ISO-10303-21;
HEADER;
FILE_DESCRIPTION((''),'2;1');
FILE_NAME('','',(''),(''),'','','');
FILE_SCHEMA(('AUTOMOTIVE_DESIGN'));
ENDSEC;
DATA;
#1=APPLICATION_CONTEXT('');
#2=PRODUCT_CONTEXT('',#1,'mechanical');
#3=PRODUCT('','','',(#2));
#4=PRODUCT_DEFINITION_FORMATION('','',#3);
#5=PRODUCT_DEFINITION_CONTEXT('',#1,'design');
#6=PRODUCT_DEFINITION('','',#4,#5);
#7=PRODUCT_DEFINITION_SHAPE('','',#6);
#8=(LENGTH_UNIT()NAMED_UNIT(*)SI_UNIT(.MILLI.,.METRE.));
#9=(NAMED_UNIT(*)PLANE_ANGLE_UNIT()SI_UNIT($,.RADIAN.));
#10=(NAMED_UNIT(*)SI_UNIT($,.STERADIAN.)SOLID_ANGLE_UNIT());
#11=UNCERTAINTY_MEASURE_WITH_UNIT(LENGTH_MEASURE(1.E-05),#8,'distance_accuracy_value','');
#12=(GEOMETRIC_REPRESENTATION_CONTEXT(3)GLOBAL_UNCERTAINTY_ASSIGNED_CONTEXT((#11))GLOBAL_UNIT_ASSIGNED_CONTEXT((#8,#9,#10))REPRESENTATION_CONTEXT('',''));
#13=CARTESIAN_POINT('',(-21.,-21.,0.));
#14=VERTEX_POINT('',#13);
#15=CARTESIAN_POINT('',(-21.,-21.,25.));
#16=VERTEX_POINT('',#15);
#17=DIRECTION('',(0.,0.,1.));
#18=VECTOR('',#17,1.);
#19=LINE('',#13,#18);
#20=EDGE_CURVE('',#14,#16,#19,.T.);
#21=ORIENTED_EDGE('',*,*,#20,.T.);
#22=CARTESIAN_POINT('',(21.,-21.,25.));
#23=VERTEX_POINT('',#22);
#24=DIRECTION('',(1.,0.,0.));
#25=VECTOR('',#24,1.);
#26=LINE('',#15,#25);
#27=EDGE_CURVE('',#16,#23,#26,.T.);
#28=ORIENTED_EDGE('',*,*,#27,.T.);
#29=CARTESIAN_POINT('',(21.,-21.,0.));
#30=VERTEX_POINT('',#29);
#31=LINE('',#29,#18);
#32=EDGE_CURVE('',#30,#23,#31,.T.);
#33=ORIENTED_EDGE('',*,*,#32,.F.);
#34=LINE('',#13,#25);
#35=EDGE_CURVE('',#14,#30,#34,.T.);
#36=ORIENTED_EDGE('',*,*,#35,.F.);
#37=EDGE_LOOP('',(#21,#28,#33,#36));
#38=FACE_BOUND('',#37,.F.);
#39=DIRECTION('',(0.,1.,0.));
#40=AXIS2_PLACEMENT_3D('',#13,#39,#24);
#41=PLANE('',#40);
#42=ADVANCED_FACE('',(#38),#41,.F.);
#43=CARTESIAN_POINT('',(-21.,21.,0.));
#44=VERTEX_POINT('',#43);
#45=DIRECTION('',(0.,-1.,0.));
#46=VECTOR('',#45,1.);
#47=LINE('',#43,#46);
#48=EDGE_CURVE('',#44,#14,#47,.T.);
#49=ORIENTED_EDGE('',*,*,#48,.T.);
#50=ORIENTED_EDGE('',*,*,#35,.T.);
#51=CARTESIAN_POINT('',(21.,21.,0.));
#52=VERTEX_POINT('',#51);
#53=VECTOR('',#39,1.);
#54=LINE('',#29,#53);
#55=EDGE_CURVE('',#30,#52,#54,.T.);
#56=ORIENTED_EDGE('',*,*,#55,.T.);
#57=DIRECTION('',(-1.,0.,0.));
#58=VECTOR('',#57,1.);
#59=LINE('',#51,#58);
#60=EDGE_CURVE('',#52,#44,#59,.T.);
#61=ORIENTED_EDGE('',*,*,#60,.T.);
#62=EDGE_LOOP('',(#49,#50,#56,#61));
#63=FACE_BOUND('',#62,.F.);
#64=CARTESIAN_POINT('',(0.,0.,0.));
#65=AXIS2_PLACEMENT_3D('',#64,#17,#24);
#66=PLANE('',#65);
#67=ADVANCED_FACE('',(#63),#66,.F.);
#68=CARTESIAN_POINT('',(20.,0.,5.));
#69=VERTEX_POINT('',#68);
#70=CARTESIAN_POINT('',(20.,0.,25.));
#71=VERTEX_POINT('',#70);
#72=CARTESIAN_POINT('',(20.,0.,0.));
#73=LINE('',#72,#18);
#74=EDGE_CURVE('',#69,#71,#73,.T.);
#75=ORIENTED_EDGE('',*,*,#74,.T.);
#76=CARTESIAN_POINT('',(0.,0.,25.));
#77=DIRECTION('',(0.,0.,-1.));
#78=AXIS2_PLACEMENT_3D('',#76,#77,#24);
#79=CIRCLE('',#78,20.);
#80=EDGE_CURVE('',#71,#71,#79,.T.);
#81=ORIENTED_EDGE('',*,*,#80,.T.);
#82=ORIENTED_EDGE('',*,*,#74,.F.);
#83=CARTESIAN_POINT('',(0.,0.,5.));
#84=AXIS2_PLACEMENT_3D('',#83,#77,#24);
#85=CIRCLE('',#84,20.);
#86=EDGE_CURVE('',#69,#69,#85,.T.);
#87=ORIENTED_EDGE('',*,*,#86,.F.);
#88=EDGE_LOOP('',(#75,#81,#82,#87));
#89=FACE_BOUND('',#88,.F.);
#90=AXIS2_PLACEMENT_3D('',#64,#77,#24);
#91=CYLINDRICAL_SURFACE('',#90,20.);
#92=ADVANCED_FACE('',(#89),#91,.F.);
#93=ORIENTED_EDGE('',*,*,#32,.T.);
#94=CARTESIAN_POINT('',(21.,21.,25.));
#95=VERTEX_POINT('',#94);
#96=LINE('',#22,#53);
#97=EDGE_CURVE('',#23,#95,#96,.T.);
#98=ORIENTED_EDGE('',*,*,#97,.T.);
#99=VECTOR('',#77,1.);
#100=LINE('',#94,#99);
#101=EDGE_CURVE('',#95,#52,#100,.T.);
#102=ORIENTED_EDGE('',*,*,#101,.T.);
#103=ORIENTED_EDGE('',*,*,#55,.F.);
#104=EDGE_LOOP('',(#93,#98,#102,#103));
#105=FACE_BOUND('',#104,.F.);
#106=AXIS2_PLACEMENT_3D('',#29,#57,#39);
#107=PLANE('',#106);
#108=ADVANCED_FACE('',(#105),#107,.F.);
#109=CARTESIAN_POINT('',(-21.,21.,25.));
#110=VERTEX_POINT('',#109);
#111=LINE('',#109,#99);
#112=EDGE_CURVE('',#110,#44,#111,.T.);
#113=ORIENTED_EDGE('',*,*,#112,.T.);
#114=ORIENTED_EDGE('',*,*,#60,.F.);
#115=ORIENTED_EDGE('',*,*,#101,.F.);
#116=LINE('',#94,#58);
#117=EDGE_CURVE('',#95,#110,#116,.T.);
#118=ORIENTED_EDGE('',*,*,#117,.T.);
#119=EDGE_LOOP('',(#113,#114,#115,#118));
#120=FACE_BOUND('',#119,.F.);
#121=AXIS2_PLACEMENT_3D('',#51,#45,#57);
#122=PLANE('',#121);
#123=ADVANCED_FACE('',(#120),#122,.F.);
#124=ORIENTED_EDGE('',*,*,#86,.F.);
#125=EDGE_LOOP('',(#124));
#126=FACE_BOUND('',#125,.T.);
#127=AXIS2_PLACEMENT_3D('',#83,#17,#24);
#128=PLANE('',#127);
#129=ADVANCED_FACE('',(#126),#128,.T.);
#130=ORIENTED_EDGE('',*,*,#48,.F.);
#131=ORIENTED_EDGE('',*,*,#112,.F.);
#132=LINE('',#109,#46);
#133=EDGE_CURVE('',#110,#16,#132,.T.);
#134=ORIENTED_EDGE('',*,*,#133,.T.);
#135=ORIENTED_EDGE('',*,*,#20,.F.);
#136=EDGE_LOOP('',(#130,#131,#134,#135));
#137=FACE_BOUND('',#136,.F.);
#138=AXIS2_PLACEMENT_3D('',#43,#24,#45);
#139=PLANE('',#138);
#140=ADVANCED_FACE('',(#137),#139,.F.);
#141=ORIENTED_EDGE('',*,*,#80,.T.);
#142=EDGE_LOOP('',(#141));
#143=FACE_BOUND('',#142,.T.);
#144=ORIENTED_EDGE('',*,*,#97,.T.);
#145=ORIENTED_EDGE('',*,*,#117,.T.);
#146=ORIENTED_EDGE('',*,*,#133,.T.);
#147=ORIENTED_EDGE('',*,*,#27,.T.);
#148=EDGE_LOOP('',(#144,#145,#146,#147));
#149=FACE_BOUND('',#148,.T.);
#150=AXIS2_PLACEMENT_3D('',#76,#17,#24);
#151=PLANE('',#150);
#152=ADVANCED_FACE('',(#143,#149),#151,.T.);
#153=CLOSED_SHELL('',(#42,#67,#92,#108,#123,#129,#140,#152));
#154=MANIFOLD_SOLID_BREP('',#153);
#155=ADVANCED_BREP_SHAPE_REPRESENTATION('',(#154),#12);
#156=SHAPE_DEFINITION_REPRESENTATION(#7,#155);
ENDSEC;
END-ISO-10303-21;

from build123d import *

# Parameters (mm, degrees)
F1_DEPTH = 5
F2_DEPTH = 25


with BuildPart() as f1:
    # F0 (on Top) → F1 (new body)
    with BuildSketch(Plane.XY):
        Polygon((-21, 21), (-21, 0), (-21, -21), (21, -21), (21, 21), align=None)
        with BuildLine():
            ThreePointArc((-20, 0), (0, 20), (20, 0))
            ThreePointArc((20, 0), (0, -20), (-20, 0))
        make_face(mode=Mode.SUBTRACT)
        with BuildLine():
            ThreePointArc((-20, 0), (0, -20), (20, 0))
            ThreePointArc((20, 0), (0, 20), (-20, 0))
        make_face()
    extrude(amount=F1_DEPTH)

    # F0 (on Top) → F2 (join)
    with BuildSketch(Plane.XY):
        Polygon((-21, 21), (-21, 0), (-21, -21), (21, -21), (21, 21), align=None)
        with BuildLine():
            ThreePointArc((-20, 0), (0, 20), (20, 0))
            ThreePointArc((20, 0), (0, -20), (-20, 0))
        make_face(mode=Mode.SUBTRACT)
    extrude(amount=F2_DEPTH)


solid = f1.part
